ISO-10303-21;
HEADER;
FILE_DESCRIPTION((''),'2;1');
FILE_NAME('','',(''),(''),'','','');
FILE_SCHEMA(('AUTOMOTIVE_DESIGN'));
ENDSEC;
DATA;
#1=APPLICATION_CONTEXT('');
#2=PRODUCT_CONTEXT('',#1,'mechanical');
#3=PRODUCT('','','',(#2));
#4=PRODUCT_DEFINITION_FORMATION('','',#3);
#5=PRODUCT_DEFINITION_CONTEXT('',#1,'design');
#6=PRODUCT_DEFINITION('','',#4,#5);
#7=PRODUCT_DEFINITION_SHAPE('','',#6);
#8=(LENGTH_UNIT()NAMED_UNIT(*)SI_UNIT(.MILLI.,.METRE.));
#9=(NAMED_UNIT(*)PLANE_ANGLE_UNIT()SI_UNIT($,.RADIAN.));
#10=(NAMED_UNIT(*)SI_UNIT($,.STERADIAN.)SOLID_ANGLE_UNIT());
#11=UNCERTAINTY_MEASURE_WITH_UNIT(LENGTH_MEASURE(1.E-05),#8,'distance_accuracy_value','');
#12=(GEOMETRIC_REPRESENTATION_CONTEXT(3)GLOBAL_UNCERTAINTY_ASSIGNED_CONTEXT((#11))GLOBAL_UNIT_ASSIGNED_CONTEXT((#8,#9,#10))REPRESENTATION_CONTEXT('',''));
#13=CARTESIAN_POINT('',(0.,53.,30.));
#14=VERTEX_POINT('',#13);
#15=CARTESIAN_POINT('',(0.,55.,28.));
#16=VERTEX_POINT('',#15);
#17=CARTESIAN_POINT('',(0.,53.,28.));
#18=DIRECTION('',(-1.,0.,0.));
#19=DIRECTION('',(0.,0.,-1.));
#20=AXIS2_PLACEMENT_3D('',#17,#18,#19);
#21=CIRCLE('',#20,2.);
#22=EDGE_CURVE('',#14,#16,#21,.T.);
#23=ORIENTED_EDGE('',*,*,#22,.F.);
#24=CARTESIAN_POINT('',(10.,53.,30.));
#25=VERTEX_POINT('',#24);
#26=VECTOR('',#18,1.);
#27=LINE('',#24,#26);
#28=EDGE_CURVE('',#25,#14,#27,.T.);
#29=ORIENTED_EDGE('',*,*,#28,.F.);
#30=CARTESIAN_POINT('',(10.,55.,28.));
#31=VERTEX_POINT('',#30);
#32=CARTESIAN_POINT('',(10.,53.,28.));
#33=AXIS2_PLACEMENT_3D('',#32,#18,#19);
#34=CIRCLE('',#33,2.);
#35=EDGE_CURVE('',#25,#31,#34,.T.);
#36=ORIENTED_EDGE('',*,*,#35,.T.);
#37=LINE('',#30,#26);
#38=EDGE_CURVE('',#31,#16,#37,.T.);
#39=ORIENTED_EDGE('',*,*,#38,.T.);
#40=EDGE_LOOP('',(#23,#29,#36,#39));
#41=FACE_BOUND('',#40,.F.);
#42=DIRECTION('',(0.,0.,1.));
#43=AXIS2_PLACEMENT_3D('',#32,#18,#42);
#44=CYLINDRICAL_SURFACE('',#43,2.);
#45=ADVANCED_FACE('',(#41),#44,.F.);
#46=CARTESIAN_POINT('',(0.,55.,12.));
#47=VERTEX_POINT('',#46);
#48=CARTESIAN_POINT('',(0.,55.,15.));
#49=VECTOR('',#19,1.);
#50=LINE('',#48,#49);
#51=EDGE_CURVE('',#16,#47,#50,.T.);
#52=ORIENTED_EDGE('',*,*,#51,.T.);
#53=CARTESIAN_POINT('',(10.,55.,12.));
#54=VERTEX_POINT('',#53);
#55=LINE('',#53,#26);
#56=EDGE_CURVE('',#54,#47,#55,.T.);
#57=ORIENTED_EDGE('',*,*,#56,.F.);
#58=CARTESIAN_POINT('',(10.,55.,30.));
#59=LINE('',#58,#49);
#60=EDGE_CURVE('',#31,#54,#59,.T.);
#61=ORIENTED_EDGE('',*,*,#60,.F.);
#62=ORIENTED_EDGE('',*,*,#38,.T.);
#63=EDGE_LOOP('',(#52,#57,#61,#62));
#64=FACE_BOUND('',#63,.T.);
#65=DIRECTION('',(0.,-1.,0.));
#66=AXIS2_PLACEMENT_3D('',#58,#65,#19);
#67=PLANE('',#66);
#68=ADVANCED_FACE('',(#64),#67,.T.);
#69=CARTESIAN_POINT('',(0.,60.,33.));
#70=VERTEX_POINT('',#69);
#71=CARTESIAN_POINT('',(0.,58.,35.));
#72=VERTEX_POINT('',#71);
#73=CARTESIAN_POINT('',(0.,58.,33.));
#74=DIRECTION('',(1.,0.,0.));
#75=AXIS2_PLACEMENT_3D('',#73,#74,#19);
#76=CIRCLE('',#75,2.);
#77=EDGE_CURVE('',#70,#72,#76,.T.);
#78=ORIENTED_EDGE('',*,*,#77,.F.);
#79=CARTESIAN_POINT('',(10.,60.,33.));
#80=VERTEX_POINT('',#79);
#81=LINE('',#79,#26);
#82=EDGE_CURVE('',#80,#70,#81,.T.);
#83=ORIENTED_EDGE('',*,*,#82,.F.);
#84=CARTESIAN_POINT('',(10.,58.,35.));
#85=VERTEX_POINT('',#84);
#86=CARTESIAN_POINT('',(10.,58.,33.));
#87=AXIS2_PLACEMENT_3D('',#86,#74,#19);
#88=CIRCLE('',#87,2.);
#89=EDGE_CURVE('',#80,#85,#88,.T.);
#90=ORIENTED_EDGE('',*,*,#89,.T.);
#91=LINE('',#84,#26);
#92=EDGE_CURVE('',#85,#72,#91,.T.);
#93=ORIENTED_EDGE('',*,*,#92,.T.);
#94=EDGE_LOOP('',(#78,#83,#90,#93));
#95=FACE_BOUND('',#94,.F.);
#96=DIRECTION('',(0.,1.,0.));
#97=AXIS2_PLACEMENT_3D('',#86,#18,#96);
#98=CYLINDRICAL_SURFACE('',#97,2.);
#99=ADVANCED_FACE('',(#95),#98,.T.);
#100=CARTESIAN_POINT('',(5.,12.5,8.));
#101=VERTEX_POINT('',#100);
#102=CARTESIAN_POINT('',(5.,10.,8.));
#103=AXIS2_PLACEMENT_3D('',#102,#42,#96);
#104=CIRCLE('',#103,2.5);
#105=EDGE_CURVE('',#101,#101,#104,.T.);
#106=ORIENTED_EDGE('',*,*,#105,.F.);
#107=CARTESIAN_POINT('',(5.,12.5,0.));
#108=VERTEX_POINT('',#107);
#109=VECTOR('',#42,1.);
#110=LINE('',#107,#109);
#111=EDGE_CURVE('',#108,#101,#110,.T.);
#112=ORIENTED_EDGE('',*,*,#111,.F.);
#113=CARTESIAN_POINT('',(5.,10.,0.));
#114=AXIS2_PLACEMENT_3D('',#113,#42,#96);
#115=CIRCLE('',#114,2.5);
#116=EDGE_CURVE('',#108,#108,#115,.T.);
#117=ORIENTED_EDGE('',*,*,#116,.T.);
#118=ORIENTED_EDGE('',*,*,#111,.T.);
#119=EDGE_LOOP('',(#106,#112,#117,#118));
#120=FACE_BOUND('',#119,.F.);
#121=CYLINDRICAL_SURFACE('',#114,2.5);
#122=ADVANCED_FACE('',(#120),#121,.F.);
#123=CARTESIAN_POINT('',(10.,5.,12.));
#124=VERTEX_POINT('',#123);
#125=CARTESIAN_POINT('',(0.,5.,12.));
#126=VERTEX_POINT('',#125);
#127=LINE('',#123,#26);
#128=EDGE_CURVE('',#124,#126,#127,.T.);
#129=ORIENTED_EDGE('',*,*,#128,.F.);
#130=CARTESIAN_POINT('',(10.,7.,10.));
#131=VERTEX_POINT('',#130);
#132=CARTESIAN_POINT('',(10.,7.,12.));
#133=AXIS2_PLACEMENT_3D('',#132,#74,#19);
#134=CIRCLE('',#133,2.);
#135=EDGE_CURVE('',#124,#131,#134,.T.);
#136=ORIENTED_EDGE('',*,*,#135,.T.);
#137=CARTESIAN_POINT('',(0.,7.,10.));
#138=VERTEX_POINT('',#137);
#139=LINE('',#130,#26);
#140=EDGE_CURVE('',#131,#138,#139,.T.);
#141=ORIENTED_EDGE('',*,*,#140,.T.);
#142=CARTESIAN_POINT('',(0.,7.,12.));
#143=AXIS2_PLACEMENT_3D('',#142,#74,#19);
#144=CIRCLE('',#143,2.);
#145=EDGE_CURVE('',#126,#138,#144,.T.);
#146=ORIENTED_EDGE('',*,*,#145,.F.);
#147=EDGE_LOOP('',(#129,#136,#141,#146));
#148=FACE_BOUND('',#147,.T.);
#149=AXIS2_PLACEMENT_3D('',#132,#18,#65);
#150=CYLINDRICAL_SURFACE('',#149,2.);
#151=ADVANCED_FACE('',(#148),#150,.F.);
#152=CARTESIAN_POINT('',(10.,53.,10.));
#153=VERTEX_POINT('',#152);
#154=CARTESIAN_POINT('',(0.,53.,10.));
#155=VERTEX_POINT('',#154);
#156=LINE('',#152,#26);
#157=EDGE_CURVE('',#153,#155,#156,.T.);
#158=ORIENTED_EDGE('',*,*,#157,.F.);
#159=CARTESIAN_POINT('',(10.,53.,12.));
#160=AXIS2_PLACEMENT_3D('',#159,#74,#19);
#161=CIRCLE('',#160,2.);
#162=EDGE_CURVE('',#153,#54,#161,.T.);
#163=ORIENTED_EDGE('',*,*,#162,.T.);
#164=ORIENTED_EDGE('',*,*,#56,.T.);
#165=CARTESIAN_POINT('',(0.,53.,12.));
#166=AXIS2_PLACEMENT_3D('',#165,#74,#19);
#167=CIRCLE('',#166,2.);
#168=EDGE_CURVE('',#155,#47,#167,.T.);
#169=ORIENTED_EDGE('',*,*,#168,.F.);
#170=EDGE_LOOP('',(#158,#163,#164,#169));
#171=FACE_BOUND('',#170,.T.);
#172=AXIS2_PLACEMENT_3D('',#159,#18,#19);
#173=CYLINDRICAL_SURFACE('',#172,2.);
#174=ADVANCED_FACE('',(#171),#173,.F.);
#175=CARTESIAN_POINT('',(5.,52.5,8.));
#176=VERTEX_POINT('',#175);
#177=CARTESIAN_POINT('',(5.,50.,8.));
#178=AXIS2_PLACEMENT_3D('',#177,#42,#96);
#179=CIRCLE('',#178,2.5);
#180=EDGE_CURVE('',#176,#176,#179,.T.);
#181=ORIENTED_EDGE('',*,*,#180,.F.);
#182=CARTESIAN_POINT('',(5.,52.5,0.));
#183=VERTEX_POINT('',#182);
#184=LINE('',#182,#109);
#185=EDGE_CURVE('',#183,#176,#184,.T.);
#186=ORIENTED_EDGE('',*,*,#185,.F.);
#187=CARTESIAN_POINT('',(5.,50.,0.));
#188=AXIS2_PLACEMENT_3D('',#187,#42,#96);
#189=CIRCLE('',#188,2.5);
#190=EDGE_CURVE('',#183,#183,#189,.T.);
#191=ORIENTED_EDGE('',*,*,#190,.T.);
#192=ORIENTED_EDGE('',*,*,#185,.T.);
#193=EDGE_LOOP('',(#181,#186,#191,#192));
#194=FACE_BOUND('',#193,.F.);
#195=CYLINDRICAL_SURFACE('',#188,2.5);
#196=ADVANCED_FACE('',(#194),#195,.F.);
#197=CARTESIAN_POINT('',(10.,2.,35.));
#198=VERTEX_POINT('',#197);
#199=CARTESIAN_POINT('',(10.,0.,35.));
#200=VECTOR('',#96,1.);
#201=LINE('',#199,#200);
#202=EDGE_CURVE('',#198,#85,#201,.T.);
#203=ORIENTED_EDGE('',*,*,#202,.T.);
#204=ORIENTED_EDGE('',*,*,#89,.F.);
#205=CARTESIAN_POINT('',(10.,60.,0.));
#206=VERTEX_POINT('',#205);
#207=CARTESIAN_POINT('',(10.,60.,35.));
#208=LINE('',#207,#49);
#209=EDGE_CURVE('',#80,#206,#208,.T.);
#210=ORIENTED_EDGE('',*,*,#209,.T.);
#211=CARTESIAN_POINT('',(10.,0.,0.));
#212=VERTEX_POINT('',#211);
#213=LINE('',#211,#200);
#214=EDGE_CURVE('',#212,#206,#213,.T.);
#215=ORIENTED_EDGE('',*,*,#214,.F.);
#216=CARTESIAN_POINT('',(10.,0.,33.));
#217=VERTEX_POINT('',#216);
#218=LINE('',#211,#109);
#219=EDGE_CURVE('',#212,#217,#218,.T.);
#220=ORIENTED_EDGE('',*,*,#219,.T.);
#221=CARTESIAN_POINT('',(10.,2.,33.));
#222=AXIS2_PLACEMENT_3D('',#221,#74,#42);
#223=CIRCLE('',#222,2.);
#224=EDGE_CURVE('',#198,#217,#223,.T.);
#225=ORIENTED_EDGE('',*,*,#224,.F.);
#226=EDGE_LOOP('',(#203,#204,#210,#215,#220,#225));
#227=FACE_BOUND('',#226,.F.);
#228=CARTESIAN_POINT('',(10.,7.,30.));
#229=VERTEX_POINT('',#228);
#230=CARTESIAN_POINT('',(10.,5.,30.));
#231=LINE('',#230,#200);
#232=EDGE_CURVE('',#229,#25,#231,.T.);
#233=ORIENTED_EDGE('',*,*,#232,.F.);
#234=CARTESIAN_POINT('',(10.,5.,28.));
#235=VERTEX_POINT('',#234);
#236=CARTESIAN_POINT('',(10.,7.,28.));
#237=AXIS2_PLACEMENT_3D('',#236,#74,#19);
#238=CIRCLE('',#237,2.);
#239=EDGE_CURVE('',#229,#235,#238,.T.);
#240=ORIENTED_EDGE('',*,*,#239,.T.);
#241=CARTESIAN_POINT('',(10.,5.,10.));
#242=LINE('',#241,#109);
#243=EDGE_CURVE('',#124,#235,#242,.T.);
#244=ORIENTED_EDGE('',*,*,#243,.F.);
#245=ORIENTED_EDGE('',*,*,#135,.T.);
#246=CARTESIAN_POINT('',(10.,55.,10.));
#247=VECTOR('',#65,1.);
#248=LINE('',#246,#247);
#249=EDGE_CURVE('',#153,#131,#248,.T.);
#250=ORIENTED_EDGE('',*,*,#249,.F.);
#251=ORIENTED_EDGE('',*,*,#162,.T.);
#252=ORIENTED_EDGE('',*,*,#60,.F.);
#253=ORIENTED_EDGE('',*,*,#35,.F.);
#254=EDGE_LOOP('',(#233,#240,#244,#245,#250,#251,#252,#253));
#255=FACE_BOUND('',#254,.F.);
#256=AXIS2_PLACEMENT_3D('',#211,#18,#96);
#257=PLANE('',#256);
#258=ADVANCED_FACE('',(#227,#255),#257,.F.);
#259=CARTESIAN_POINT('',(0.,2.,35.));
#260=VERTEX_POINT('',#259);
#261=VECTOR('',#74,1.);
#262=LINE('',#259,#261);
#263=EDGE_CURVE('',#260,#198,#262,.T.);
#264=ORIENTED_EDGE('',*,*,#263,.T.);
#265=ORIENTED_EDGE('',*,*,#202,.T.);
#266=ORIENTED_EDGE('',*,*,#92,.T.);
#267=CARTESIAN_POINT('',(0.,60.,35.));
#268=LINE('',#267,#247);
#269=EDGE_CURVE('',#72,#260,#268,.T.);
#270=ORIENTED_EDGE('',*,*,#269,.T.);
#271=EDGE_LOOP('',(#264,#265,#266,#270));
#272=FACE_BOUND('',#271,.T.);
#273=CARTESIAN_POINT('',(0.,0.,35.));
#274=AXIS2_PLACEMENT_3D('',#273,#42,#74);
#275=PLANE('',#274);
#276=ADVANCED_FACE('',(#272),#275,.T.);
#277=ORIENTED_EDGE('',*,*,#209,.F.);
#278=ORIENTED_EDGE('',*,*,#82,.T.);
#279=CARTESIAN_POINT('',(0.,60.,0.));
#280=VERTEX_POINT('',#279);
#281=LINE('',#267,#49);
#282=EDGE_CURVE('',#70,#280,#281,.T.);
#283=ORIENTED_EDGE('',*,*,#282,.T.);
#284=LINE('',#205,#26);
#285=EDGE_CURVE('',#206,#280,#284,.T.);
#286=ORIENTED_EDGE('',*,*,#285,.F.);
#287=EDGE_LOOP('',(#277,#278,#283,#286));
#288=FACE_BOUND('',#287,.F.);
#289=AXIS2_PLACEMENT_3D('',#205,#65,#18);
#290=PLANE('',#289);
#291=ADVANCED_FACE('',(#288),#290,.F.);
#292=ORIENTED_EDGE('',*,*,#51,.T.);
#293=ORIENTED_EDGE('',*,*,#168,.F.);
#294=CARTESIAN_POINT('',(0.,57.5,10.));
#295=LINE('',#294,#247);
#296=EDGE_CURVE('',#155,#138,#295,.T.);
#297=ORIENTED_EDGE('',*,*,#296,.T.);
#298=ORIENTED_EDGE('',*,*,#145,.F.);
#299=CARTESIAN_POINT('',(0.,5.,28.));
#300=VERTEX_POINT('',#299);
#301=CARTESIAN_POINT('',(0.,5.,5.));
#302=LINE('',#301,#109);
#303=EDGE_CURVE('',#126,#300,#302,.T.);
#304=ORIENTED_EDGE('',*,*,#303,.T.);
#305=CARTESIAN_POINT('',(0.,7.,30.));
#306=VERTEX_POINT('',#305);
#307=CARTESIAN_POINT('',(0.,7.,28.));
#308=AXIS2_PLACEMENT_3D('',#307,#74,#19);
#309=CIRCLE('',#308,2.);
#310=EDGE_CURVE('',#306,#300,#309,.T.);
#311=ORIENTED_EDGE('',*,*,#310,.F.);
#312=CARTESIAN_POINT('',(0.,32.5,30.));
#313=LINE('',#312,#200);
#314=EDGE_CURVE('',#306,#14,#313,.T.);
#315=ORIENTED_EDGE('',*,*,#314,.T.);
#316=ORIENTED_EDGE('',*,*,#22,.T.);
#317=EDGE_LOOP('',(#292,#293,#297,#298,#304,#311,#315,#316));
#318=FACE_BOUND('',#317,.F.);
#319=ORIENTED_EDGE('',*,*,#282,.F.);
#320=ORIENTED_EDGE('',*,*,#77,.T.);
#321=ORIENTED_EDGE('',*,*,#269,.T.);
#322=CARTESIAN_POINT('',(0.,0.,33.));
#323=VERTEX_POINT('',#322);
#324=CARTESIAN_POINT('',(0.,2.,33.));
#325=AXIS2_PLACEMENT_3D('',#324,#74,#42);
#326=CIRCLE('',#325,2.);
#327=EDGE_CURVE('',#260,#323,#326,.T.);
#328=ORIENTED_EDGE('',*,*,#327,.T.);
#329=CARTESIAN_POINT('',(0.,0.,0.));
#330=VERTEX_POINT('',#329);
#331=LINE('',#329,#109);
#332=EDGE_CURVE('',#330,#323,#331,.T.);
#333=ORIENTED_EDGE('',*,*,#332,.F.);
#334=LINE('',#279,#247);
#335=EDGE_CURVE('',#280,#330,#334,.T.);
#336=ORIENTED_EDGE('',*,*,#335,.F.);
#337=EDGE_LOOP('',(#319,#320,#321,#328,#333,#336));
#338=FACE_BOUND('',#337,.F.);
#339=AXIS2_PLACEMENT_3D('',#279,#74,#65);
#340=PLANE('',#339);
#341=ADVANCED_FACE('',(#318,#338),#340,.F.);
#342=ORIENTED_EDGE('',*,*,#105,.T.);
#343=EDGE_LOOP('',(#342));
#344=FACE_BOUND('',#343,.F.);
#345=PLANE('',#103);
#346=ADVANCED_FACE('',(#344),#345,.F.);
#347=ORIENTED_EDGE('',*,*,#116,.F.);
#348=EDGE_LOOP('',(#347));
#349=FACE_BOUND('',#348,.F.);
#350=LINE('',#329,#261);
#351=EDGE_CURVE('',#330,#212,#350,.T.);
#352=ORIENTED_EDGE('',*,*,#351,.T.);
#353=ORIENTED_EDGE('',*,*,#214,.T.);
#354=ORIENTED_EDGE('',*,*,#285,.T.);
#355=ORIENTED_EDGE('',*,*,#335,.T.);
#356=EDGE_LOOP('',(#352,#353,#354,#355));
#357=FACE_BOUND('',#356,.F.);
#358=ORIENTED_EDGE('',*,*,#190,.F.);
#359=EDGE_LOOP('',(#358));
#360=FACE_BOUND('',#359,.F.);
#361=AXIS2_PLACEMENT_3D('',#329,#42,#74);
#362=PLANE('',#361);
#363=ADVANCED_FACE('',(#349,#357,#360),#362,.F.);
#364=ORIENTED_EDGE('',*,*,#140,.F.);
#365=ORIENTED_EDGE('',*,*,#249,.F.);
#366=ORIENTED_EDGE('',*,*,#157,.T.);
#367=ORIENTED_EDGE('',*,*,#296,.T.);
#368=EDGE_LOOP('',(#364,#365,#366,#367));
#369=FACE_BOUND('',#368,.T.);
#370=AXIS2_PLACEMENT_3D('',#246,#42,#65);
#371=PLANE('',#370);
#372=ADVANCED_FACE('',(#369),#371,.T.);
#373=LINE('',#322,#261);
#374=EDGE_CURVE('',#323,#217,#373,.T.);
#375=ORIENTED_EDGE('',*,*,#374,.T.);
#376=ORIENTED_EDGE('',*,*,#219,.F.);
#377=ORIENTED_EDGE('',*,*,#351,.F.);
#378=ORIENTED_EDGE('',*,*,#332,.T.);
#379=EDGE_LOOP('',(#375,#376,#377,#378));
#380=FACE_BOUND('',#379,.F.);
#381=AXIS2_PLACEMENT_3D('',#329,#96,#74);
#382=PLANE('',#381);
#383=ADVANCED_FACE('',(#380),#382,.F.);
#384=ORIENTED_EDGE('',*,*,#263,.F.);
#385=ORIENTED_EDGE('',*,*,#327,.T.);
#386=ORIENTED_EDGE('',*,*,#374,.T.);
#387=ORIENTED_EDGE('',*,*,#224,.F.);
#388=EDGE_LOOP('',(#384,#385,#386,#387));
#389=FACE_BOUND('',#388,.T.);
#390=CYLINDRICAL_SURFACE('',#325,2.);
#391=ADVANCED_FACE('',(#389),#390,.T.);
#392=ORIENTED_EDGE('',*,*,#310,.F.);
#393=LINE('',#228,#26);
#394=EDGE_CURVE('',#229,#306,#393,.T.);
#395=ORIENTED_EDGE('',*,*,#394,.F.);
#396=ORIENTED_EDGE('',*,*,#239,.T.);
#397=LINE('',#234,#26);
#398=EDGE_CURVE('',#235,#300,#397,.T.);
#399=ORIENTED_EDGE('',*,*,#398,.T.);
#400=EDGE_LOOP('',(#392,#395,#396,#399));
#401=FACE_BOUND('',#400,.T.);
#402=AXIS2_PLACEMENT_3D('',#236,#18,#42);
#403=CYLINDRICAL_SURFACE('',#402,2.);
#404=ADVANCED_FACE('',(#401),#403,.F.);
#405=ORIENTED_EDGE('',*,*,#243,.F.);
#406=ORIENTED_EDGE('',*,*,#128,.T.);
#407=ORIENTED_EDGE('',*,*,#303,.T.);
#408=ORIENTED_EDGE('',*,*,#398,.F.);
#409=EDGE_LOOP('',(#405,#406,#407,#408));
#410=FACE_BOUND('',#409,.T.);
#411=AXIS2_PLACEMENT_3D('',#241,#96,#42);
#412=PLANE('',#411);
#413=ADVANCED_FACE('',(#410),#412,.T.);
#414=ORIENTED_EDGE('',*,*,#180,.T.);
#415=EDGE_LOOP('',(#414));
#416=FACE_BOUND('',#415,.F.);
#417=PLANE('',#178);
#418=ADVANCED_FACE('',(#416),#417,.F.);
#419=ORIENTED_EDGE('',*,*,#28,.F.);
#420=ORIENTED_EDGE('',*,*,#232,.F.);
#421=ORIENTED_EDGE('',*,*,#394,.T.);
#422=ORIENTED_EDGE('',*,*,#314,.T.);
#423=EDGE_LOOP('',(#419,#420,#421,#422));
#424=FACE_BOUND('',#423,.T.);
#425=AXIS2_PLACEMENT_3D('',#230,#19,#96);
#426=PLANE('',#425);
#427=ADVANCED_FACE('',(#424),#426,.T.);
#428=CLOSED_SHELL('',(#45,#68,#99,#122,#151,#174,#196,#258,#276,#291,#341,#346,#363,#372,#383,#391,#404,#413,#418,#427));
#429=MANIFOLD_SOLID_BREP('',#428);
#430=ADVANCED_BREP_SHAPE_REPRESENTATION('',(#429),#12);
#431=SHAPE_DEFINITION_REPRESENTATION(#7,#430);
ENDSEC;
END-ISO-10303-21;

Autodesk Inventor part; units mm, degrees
ref_plane "YZ Plane" through (0, 0, 0) normal (1, 0, 0) x (0, 1, 0)
ref_plane "XZ Plane" through (0, 0, 0) normal (0, 1, 0) x (-1, 0, 0)
ref_plane "XY Plane" through (0, 0, 0) normal (0, 0, 1) x (1, 0, 0)
sketch "スケッチ1" plane through (0, 0, 0) normal (0, 0, 1) x (1, 0, 0)
  line L0 (0, 0) -> (10, 0)
  line L1 (10, 0) -> (10, 60)
  line L2 (10, 60) -> (0, 60)
  line L3 (0, 60) -> (0, 0)
  dimension "d0" = 10
  dimension "d1" = 60
extrude "押し出し1" add sketch "スケッチ1" along normal blind 5
sketch "スケッチ3" plane through (0, 0, 5) normal (0, 0, 1) x (1, 0, 0)
  line L0 (10, 0) -> (10, 60) projected
  line L1 (10, 60) -> (0, 60) projected
  line L2 (0, 60) -> (0, 0) projected
  line L3 (0, 0) -> (10, 0) projected
  line L4 (10, 60) -> (0, 60)
  line L5 (0, 60) -> (0, 0)
  line L6 (0, 0) -> (10, 0)
  line L7 (10, 0) -> (10, 60)
extrude "押し出し2" add sketch "スケッチ3" along normal blind 30
sketch "スケッチ4" plane through (10, 0, 0) normal (1, 0, 0) x (0, 0, -1)
  line L0 (0, 60) -> (-35, 60) projected
  line L1 (0, 0) -> (0, 60) projected
  line L2 (0, 0) -> (-35, 0) projected
  line L3 (-35, 60) -> (-5, 60)
  line L4 (-5, 60) -> (-5, 0)
  line L5 (-5, 0) -> (-35, 0)
  line L6 (-35, 0) -> (-35, 60)
  line L7 (-30, 55) -> (-10, 55)
  line L8 (-10, 55) -> (-10, 5)
  line L9 (-10, 5) -> (-30, 5)
  line L10 (-30, 5) -> (-30, 55)
  dimension "d37" = 5
  dimension "d38" = 5
  dimension "d39" = 20
extrude "押し出し3" cut sketch "スケッチ4" against normal blind 40 contours L7 L8 L9 L10
sketch "スケッチ5" plane through (0, 0, 0) normal (0, 0, -1) x (-1, 0, 0)
  line L0 (0, 60) -> (0, 0) projected
  line L1 (0, 0) -> (-10, 0) projected
  point P0 (-5, 50)
  point P1 (-5, 10)
  dimension "d23" = 40
  dimension "d24" = 5
  dimension "d25" = 5
  dimension "d26" = 10
hole "穴2" at (5, 50, 0) at (5, 10, 0) direction (0, 0, 1) diameter 5 depth 8
fillet "フィレット1" radius 2 6 edges at (5, 55, 10) (5, 55, 30) (5, 5, 30) (5, 5, 10) (5, 0, 35) (5, 60, 35)
equation "\"d25\" = d24"
properties part number "BP_BOX-handle" material "ABS プラスチック"
